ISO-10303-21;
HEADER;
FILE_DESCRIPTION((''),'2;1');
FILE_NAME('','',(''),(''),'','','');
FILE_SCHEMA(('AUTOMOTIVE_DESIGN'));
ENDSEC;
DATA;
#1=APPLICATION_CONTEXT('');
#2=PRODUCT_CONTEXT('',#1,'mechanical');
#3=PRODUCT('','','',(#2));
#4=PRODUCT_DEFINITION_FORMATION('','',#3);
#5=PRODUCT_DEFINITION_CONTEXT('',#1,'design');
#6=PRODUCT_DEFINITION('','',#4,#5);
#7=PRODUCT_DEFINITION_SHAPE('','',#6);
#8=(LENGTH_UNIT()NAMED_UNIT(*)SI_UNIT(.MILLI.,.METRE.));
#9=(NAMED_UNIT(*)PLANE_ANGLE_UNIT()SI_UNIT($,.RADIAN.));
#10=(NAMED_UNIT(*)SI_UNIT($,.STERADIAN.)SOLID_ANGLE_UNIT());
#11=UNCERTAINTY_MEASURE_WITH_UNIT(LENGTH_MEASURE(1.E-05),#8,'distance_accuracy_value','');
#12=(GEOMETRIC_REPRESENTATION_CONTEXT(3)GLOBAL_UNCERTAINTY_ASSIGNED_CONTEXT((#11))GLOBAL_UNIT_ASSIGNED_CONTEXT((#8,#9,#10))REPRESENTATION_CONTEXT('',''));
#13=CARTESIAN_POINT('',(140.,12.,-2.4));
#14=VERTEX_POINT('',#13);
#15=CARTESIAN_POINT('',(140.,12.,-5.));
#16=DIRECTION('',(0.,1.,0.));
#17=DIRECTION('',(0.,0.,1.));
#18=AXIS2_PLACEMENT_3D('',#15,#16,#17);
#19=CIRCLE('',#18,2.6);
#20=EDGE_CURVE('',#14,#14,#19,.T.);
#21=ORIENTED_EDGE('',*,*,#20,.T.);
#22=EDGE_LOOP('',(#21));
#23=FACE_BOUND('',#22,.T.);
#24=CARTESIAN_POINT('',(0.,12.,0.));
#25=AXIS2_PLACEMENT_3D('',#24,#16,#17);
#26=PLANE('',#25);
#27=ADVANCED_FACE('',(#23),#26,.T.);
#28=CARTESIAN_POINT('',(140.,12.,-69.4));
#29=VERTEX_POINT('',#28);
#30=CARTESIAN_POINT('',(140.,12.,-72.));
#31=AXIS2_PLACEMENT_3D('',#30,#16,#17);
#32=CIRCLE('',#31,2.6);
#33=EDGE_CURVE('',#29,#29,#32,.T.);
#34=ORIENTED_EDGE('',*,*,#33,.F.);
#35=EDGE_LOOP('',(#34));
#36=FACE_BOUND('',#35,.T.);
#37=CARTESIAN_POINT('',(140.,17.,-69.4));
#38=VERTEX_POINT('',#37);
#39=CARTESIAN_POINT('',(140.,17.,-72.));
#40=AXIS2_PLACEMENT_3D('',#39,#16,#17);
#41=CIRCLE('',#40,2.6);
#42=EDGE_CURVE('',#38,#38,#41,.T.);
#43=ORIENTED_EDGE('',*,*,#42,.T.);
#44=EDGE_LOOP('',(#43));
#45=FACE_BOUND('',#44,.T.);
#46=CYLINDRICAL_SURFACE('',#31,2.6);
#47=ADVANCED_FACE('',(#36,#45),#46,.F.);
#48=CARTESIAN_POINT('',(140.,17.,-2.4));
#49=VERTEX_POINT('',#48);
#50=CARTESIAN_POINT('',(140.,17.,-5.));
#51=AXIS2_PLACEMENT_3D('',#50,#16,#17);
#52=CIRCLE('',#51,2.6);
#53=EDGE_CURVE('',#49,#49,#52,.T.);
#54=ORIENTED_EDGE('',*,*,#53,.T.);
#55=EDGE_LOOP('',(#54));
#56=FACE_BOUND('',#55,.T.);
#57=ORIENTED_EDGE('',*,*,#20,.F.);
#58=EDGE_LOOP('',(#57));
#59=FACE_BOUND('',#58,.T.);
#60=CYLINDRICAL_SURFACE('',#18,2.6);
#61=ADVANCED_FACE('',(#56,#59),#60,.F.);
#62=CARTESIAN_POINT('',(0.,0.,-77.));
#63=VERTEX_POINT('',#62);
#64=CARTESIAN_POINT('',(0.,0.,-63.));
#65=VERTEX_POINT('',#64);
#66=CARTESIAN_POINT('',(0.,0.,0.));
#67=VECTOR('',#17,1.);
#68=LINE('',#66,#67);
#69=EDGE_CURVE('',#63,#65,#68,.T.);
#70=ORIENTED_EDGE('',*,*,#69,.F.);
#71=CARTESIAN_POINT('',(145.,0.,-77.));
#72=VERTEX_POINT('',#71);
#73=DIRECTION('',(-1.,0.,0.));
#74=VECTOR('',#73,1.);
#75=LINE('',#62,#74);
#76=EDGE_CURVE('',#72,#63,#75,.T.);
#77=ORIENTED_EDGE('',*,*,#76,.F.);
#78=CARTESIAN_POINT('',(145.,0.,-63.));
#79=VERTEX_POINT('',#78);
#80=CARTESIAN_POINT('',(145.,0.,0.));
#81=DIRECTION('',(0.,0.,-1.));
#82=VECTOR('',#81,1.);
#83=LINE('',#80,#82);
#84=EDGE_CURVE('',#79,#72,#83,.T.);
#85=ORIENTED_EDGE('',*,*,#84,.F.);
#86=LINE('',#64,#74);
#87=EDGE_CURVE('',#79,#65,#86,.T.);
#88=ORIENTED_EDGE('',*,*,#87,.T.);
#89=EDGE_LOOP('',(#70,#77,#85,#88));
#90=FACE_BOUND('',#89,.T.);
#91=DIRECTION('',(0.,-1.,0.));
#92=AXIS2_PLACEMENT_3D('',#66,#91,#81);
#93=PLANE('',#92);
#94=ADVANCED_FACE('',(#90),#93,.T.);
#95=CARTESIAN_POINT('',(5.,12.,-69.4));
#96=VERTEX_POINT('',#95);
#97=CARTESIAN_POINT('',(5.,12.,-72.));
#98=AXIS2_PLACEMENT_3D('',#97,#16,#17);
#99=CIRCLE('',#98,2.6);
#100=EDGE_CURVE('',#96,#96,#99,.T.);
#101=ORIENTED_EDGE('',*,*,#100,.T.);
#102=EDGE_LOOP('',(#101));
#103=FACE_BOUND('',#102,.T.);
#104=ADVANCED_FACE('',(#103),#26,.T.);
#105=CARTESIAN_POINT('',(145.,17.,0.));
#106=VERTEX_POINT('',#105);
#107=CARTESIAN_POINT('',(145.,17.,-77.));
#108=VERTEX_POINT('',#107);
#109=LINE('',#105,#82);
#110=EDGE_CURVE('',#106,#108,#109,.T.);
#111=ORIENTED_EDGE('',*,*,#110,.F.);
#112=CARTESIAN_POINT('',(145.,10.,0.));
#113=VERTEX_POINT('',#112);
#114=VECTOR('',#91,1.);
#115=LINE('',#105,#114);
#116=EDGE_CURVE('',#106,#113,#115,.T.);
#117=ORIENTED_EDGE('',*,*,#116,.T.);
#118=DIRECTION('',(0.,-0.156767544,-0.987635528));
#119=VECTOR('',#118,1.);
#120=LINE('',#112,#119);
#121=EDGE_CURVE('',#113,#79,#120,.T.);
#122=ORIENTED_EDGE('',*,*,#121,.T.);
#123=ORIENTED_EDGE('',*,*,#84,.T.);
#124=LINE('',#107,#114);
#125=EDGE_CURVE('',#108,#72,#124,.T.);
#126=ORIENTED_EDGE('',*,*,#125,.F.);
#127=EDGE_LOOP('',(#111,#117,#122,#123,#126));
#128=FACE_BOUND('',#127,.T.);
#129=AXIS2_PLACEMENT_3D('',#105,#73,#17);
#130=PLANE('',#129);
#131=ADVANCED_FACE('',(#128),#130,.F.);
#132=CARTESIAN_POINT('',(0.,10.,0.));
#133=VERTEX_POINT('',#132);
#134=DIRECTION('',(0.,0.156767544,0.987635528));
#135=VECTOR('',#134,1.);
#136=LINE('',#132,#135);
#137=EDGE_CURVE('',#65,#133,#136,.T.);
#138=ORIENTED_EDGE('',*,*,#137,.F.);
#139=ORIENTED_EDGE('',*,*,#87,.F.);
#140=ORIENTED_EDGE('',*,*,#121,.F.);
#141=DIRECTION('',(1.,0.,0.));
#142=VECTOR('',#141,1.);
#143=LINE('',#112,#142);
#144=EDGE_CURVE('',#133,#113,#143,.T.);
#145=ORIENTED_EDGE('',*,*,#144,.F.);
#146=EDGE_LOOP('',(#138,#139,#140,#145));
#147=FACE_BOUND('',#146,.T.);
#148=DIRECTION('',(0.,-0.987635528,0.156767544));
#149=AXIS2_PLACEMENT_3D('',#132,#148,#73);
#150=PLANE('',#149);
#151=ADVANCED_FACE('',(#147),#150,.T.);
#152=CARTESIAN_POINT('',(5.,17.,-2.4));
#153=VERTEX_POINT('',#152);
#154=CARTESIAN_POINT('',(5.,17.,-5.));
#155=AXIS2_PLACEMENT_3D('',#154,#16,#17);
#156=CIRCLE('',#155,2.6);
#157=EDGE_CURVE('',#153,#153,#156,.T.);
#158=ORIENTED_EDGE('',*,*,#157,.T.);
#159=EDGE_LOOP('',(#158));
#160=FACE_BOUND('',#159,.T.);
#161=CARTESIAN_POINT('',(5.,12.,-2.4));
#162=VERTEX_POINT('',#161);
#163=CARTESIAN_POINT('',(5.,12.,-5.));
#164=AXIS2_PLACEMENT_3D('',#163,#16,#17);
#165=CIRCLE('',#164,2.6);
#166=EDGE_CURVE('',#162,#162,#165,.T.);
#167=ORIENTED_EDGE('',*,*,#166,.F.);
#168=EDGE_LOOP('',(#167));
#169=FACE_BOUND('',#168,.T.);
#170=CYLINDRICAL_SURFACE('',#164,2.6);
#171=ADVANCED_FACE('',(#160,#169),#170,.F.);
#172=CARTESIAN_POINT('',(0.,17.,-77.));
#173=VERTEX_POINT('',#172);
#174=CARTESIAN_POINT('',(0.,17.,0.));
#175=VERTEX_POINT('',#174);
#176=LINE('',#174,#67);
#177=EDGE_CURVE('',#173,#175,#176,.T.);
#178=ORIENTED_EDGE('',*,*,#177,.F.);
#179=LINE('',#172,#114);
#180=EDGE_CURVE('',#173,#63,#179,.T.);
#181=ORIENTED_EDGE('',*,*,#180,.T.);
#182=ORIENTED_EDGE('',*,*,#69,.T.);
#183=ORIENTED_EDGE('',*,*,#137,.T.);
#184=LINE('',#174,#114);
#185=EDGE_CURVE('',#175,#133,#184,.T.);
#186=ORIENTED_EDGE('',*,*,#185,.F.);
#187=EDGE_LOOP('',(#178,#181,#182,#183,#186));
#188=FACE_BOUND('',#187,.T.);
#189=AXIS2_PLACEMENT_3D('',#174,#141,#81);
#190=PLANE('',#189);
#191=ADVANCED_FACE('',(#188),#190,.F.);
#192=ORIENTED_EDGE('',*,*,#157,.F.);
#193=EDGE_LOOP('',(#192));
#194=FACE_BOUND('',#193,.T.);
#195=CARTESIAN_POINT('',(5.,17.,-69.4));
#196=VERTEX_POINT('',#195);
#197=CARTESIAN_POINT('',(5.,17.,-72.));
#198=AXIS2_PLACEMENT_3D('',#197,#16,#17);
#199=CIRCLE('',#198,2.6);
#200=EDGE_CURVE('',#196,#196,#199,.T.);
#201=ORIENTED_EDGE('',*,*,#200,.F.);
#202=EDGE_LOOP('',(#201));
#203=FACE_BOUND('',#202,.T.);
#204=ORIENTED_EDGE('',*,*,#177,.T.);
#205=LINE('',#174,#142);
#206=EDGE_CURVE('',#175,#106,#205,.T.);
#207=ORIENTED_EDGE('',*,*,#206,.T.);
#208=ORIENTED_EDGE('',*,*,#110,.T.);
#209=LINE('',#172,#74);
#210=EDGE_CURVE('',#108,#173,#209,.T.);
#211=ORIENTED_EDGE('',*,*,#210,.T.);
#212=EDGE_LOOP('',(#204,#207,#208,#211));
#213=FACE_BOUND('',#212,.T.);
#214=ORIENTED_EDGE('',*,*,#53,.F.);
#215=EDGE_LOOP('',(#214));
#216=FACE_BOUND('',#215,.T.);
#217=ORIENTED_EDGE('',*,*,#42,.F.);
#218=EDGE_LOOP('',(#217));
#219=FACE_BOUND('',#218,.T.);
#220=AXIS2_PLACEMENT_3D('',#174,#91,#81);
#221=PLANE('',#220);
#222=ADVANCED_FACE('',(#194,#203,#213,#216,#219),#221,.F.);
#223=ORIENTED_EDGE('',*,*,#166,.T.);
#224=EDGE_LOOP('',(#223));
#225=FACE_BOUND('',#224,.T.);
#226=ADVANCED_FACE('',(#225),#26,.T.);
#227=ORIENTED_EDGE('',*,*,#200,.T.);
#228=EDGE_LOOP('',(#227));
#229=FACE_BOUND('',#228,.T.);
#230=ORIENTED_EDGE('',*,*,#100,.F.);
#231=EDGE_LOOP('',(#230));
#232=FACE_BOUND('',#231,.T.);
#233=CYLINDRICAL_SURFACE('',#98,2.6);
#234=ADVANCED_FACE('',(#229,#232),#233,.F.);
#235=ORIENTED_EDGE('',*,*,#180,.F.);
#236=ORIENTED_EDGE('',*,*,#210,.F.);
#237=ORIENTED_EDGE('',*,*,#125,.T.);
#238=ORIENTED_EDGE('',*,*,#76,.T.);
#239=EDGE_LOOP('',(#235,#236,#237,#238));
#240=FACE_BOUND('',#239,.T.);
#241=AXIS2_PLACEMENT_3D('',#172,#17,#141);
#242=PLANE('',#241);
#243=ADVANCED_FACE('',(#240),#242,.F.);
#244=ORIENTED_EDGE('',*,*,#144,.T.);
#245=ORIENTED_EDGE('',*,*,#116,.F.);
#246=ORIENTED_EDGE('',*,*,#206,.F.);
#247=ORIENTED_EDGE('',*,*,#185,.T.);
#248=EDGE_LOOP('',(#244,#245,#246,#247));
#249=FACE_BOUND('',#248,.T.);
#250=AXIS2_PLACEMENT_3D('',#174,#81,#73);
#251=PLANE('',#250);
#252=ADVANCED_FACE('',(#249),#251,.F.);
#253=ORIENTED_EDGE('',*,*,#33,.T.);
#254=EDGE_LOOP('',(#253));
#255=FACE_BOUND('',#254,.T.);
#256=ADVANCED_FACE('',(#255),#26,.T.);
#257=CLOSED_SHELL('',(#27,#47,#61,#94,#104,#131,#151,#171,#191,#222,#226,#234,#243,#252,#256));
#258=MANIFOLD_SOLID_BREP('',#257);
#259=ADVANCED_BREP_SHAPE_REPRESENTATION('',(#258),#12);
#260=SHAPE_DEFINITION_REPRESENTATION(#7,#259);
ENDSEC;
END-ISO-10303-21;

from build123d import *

# Parameters (mm, degrees)
SKETCH5_W           = 145
SKETCH5_H           = 77
BOSS_EXTRUDE2_DEPTH = 17
CHAMFER2_SIZE       = 63
CHAMFER2_SIZE2      = 10
SKETCH1_R           = 2.6
CUT_EXTRUDE1_DEPTH  = 5


with BuildPart() as part:
    # Sketch5 → Boss-Extrude2 (new body)
    with BuildSketch(Plane(origin=(0, 0, 0), x_dir=(1, 0, 0), z_dir=(0, 1, 0))):
        with Locations((72.5, 38.5)):
            Rectangle(SKETCH5_W, SKETCH5_H)
    extrude(amount=BOSS_EXTRUDE2_DEPTH)

    # Chamfer2
    chamfer2_edges = [part.edges().sort_by_distance(p)[0] for p in [
        (72.5, 0, 0),
    ]]
    chamfer2_side = [part.faces().sort_by_distance(p)[0] for p in [
        (72.5, 0, -38.5),
    ]]
    chamfer(chamfer2_edges, length=CHAMFER2_SIZE, length2=CHAMFER2_SIZE2, reference=chamfer2_side[0])

    # Sketch1 → Cut-Extrude1 (cut)
    with BuildSketch(Plane(origin=(0, 17, 0), x_dir=(1, 0, 0), z_dir=(0, 1, 0))):
        with Locations(Location((5, 72, 0), (0, 0, 270))):
            Circle(SKETCH1_R)
        with Locations(Location((5, 5, 0), (0, 0, 270))):
            Circle(SKETCH1_R)
        with Locations(Location((140, 5, 0), (0, 0, 270))):
            Circle(SKETCH1_R)
        with Locations(Location((140, 72, 0), (0, 0, 270))):
            Circle(SKETCH1_R)
    extrude(amount=-CUT_EXTRUDE1_DEPTH, mode=Mode.SUBTRACT)


solid = part.part
